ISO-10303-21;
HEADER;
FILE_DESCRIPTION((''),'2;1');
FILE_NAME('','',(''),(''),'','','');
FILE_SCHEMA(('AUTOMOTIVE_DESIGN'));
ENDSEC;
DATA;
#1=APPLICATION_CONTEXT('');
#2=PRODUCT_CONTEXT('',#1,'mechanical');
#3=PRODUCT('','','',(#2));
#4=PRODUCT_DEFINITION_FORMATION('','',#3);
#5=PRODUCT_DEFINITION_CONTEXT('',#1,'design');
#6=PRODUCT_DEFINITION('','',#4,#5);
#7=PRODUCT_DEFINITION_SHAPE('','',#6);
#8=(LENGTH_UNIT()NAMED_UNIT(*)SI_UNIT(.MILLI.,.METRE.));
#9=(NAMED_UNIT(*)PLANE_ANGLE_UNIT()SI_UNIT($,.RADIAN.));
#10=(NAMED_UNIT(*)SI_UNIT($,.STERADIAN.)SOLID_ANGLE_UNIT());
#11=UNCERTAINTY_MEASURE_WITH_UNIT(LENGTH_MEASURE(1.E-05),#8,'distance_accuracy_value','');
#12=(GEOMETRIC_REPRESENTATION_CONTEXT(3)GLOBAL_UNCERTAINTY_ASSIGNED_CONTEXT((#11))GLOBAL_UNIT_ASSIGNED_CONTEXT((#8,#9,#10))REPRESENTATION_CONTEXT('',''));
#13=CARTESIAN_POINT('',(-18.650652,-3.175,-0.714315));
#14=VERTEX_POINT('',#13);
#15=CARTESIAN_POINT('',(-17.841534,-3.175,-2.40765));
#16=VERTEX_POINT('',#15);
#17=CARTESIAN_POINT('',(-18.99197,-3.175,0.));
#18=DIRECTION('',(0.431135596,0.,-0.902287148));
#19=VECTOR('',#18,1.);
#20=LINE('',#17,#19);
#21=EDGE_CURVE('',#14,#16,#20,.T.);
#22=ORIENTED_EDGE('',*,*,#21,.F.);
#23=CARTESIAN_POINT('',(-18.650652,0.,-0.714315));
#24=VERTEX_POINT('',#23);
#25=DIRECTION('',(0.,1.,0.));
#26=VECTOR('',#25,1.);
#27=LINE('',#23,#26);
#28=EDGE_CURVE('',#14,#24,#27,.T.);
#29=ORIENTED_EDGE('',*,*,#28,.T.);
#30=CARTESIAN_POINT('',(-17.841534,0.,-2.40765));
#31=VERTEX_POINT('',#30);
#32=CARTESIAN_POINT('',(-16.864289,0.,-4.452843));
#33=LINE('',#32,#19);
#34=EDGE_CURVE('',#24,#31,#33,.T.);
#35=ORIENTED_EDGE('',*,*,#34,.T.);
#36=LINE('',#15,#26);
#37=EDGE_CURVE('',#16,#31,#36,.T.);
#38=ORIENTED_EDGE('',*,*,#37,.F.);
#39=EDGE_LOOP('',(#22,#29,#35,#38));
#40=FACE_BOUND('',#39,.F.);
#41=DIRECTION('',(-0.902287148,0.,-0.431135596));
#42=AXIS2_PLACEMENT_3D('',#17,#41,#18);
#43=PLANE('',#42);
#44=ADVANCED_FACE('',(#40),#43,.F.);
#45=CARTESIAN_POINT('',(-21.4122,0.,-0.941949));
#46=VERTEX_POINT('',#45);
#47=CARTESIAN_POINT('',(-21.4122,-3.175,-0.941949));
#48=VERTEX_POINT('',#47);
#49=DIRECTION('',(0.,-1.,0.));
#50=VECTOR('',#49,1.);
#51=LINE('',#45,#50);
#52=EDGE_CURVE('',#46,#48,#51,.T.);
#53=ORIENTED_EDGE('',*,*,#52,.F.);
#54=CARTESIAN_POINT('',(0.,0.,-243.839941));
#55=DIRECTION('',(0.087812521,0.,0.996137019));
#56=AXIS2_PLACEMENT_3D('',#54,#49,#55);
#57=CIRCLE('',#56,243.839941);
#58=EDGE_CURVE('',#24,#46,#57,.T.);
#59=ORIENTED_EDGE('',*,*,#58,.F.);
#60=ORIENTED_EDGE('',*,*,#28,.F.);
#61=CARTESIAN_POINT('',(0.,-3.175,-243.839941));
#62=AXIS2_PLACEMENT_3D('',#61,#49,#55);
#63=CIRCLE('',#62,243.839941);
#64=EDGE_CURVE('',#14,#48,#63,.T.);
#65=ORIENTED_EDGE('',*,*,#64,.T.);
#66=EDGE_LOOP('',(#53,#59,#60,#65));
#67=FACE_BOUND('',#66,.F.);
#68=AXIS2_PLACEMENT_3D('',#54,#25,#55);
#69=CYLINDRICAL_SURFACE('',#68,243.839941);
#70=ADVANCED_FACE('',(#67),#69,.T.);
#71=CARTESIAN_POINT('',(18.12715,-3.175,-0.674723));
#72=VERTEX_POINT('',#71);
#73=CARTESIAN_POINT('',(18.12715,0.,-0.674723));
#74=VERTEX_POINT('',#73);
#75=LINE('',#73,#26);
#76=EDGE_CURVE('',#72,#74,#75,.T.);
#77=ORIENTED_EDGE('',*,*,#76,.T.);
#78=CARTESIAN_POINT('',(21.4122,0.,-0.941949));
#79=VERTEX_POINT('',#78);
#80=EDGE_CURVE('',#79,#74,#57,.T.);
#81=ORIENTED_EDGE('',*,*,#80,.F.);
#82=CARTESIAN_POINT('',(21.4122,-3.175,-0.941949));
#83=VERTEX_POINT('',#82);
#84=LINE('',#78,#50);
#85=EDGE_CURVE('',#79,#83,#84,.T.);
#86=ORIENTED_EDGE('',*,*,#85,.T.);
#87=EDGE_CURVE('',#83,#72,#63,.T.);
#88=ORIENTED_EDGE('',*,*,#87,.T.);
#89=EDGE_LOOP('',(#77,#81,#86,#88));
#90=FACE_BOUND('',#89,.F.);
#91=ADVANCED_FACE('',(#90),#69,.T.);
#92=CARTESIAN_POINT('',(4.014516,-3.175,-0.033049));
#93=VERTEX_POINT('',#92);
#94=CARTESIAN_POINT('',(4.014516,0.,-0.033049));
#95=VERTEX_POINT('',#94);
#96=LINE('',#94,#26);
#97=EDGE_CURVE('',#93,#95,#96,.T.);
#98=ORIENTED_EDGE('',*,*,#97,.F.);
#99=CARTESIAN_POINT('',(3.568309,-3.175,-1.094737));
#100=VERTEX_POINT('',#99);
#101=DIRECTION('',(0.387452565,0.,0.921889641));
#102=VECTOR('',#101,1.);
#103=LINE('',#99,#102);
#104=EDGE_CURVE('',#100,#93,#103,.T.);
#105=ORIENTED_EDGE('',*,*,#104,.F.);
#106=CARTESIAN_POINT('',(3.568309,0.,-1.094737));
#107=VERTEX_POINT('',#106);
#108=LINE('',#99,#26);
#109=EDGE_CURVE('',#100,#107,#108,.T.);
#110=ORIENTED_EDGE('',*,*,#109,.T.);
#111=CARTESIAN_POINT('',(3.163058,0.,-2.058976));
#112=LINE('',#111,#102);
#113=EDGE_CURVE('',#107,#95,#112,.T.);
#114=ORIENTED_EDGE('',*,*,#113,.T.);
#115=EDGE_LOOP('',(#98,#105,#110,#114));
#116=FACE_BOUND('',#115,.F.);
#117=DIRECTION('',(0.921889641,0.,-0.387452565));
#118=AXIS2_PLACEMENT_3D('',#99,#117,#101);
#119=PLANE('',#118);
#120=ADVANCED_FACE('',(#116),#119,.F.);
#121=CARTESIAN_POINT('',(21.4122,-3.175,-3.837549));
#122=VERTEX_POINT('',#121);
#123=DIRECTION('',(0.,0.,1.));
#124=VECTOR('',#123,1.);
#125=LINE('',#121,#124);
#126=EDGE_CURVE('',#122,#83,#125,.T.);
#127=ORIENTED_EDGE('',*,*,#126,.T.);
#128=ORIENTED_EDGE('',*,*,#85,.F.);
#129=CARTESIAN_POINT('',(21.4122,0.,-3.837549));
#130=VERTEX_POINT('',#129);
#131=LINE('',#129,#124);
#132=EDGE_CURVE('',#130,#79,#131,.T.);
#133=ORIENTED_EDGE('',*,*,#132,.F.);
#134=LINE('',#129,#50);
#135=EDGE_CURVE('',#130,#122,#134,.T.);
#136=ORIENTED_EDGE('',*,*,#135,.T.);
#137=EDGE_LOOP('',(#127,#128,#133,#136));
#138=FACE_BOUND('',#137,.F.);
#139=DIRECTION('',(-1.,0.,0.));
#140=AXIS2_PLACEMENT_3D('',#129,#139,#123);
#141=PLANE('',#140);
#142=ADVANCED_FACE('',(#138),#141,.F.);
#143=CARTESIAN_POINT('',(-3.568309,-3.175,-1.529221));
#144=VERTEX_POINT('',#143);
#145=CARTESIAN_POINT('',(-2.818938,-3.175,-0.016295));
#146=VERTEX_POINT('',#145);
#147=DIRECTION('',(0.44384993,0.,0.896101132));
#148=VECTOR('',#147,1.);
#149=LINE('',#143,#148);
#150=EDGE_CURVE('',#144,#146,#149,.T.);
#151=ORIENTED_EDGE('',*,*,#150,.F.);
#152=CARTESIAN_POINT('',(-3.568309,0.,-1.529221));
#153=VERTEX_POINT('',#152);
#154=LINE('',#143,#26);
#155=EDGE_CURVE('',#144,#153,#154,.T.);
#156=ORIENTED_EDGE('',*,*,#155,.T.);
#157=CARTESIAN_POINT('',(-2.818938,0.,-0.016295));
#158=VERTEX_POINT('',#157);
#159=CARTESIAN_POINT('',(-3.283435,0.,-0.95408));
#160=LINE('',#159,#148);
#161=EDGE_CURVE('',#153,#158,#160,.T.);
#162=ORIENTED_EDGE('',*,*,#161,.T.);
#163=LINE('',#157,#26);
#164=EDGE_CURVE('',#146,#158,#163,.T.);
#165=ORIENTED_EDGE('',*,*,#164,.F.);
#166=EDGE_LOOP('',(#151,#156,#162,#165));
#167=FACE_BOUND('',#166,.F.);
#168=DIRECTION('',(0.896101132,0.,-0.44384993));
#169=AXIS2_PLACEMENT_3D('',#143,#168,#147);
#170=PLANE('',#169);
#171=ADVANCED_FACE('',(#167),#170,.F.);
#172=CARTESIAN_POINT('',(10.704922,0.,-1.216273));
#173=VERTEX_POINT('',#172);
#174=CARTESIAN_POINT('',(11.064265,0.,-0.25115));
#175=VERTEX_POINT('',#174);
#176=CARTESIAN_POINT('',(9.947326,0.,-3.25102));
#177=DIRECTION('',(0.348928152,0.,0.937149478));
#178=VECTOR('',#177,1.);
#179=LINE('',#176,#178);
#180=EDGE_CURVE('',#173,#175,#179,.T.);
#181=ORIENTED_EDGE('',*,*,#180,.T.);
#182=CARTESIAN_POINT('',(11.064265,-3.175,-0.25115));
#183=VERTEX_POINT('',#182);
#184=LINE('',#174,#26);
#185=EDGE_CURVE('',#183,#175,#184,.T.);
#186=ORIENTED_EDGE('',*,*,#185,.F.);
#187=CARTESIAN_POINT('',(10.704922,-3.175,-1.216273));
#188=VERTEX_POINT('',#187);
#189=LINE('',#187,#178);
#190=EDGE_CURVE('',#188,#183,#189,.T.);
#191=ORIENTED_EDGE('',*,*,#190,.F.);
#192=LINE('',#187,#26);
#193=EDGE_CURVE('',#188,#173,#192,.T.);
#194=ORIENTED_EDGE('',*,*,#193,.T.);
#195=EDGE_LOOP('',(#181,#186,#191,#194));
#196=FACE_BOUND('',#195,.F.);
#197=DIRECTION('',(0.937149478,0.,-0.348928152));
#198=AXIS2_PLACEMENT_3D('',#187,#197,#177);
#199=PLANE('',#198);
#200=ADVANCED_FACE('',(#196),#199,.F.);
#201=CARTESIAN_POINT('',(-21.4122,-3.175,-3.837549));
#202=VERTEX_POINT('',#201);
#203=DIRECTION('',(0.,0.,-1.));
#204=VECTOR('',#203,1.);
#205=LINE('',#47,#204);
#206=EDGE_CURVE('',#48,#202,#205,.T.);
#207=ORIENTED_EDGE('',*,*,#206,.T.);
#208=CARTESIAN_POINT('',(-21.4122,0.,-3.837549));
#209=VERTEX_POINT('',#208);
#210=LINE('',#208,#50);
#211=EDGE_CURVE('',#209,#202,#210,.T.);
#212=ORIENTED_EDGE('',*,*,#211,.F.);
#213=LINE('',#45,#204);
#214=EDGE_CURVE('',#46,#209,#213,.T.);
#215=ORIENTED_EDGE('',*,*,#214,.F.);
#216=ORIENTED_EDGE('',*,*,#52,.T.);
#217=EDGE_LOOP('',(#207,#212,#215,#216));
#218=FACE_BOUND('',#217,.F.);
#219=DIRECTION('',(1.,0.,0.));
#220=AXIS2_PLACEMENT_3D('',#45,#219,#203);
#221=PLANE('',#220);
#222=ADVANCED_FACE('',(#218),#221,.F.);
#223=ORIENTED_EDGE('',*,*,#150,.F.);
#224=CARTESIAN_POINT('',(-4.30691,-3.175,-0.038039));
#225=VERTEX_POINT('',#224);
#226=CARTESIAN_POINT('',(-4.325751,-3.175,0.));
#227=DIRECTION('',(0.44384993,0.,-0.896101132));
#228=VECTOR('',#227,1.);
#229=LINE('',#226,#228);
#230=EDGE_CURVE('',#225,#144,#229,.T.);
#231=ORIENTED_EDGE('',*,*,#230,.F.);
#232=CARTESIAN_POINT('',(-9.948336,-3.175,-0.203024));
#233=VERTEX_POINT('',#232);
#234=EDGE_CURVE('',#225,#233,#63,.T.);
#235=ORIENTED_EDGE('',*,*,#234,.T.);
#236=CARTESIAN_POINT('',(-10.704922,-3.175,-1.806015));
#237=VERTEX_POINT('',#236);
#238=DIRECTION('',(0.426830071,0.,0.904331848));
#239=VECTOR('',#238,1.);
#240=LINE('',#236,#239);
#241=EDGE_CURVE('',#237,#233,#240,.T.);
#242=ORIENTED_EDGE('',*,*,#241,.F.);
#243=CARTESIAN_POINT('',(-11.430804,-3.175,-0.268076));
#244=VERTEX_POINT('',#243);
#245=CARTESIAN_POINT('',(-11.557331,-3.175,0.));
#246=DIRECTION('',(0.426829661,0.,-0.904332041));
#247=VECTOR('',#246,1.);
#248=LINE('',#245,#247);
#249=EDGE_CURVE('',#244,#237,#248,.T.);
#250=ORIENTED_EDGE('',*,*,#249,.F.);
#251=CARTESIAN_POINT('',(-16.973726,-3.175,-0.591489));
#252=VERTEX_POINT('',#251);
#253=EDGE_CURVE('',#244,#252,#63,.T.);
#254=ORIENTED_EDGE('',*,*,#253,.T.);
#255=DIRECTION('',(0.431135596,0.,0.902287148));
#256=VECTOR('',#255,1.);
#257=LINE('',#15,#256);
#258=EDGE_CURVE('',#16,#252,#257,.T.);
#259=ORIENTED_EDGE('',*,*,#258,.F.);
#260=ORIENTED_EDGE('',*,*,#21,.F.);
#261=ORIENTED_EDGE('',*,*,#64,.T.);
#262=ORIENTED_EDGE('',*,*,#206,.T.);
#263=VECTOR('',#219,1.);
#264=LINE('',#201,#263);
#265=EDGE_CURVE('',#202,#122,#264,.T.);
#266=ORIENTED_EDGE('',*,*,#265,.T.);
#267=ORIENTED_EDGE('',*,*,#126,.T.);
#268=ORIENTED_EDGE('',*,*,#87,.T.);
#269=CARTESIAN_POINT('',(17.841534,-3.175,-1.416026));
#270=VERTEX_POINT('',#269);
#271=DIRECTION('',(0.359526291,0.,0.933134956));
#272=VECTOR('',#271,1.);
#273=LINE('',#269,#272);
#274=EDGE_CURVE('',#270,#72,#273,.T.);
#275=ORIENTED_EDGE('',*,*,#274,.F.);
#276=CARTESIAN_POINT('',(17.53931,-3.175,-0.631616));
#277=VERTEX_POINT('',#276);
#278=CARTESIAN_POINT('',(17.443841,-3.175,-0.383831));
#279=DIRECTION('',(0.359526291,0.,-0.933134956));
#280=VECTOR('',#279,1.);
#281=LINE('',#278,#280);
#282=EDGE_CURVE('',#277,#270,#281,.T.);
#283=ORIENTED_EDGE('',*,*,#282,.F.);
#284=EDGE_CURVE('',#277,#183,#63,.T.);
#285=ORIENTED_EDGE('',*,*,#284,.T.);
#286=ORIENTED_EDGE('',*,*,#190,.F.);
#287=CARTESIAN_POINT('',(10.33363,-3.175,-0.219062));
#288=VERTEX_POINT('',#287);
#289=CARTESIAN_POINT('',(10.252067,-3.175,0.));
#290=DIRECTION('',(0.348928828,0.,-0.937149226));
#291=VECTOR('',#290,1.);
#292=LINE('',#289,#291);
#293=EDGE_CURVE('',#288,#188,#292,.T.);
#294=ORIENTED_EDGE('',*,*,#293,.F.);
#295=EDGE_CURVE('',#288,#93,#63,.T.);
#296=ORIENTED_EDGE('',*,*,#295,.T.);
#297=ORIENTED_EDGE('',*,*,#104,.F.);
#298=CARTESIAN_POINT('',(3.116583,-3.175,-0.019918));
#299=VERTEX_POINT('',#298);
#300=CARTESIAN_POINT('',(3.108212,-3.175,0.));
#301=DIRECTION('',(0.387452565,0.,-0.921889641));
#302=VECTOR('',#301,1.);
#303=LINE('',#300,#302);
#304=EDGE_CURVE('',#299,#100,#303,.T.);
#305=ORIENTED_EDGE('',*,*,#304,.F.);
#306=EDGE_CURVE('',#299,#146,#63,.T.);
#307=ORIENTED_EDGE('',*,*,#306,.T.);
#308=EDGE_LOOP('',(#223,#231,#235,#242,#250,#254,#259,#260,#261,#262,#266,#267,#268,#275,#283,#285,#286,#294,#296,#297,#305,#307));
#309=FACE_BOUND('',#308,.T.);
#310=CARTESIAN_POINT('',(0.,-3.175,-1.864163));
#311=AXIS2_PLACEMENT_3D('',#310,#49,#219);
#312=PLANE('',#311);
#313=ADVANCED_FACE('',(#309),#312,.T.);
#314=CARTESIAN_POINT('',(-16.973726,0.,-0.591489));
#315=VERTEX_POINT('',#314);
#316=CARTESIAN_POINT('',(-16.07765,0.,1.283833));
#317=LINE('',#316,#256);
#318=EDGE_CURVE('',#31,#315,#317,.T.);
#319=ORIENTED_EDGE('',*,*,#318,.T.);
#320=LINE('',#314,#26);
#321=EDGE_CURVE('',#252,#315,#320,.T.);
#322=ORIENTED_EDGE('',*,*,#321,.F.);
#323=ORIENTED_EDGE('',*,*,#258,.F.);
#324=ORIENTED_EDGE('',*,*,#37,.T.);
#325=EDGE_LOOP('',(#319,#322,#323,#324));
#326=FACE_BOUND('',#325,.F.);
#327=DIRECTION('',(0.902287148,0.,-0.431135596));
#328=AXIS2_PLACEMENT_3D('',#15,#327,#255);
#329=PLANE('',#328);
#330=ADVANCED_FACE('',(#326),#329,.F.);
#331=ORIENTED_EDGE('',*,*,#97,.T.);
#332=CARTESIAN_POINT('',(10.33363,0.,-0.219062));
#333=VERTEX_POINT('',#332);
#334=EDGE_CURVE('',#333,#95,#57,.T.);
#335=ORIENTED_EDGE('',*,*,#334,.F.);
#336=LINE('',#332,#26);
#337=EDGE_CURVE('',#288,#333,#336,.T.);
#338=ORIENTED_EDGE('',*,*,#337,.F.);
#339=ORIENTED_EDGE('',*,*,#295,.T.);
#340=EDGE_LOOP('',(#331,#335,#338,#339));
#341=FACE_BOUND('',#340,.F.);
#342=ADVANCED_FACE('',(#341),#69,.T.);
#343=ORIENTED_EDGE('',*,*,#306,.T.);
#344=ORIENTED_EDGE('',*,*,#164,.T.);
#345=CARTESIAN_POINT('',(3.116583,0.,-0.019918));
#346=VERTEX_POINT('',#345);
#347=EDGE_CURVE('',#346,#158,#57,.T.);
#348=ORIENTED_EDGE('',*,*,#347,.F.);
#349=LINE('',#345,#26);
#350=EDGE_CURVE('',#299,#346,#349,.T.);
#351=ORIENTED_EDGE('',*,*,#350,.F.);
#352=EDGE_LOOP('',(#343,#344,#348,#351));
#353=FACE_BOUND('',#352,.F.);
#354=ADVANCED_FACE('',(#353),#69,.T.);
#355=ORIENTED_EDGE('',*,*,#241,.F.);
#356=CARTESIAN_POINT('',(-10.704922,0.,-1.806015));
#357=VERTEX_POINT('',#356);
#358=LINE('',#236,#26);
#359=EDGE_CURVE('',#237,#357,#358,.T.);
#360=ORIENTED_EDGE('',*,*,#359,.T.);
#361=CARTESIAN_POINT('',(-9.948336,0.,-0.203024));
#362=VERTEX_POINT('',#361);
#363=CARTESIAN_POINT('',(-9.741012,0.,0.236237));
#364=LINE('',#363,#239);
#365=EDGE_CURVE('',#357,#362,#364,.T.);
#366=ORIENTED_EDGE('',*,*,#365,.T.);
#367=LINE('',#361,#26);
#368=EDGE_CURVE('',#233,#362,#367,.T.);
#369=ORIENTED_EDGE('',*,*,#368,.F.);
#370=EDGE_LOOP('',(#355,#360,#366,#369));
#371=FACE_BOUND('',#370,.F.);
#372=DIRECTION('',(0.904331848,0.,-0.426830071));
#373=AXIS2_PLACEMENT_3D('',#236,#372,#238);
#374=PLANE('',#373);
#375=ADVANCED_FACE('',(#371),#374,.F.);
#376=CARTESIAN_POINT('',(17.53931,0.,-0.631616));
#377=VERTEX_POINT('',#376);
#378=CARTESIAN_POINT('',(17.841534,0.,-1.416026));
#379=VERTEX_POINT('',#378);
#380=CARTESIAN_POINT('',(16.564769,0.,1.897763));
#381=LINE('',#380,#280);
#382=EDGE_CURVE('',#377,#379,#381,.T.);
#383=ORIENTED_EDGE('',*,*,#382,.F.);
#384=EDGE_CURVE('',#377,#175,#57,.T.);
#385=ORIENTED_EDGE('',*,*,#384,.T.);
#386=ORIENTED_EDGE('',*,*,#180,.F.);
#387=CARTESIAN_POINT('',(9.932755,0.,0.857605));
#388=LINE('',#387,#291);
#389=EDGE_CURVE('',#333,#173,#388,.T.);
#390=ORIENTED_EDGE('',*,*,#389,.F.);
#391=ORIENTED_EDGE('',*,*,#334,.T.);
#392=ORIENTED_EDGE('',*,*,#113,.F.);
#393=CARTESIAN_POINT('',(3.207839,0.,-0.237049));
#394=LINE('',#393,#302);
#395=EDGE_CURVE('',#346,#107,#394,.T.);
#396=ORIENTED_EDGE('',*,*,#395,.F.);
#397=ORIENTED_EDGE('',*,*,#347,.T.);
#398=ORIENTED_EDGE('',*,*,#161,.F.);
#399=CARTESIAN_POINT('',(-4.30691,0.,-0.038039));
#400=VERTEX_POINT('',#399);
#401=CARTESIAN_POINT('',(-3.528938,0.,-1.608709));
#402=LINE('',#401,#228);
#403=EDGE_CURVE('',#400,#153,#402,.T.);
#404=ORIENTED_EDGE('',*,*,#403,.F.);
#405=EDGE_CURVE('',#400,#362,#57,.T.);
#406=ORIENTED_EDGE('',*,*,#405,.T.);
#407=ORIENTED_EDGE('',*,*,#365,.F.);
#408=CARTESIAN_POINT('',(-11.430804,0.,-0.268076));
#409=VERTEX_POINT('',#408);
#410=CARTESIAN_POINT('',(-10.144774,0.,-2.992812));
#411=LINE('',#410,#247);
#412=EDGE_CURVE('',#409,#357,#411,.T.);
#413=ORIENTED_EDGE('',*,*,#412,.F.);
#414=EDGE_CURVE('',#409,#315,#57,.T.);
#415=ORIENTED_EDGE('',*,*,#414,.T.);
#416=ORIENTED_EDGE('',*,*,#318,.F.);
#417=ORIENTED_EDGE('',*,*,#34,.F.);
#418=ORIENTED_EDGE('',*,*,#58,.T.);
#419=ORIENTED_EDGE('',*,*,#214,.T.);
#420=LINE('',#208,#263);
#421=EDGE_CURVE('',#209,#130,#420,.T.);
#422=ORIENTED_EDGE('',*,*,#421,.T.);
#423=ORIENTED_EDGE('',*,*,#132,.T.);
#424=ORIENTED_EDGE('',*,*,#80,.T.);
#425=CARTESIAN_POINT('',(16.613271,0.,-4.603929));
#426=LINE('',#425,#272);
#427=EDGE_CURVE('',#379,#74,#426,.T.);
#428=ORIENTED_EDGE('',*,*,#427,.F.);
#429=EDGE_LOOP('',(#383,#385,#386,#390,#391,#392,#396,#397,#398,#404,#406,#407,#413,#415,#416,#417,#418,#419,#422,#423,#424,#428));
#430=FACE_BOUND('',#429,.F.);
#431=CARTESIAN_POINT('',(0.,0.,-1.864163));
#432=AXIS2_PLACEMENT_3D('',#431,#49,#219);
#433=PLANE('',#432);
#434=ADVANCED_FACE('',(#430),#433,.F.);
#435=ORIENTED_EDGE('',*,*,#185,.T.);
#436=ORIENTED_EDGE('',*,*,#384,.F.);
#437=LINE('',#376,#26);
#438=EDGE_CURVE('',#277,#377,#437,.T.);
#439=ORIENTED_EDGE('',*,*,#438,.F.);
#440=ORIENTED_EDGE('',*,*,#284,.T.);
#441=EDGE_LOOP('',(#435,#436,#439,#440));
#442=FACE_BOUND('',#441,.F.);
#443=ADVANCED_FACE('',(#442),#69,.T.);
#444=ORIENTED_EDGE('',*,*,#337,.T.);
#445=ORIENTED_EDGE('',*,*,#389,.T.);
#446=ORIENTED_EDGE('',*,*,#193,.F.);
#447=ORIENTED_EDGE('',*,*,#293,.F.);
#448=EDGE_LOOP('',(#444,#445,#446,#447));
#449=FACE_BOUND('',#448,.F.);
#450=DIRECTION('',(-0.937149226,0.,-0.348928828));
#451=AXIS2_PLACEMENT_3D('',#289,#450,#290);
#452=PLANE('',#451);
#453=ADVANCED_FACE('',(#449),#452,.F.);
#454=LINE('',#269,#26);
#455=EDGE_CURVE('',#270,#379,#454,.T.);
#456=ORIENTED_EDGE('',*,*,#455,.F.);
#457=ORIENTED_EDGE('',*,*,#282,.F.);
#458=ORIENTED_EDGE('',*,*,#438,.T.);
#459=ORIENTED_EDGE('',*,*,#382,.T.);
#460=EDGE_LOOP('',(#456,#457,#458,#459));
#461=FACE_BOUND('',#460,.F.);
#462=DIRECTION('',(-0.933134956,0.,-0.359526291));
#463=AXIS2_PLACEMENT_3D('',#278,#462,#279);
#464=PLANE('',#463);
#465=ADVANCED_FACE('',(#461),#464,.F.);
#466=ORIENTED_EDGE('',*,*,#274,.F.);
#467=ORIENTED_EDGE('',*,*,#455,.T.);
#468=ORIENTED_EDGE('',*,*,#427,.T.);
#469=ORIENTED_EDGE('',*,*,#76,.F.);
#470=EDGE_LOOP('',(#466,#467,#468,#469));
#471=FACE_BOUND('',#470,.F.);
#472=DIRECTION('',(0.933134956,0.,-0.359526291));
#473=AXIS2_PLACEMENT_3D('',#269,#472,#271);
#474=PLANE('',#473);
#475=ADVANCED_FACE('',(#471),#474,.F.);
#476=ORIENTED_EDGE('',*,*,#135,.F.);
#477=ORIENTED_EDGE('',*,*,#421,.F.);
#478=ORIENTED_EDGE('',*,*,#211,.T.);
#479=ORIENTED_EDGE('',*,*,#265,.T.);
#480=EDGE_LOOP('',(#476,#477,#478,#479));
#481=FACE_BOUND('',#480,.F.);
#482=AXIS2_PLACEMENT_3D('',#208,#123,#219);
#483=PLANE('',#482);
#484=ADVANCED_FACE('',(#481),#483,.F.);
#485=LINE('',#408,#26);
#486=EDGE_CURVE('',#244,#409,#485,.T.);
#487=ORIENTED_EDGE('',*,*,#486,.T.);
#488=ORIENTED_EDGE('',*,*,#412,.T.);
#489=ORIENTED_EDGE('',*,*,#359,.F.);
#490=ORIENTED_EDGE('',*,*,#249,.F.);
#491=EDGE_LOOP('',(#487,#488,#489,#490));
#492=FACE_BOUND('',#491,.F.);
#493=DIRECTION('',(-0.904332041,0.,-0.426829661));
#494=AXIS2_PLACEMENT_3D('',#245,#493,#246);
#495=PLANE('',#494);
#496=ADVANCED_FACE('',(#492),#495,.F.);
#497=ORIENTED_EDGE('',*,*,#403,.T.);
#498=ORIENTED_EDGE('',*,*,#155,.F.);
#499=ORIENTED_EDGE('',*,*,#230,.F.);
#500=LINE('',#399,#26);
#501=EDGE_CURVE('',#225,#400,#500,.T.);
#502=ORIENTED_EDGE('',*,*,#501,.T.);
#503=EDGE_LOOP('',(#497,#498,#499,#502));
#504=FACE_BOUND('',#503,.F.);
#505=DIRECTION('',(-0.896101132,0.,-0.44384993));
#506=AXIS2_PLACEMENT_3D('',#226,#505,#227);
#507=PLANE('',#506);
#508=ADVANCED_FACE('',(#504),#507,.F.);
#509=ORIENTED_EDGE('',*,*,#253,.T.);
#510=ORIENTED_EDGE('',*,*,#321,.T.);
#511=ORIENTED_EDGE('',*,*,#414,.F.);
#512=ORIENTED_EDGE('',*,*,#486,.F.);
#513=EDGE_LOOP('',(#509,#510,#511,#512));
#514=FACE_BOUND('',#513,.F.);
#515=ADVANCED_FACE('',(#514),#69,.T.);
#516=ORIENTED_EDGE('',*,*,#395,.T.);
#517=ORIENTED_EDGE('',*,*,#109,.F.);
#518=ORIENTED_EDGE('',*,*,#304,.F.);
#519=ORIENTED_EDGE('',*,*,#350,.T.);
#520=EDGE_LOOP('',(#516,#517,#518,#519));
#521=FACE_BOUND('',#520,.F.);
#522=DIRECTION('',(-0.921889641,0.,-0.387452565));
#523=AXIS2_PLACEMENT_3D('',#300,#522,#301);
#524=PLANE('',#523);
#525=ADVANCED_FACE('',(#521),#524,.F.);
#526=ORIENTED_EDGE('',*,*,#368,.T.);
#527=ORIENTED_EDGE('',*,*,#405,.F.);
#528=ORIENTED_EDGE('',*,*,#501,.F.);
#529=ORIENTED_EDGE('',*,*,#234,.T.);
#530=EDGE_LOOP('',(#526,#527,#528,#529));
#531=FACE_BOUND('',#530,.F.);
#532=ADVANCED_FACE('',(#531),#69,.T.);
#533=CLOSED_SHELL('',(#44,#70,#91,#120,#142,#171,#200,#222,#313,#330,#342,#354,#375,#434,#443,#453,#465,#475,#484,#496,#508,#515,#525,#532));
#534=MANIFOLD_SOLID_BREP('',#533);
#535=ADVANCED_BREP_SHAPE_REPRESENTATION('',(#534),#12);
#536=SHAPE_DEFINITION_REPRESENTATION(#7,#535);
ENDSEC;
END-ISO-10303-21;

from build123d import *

# Parameters (mm, degrees)
F2_DEPTH = 3.175
F4_DEPTH = 3.176


with BuildPart() as f2:
    # F1 (on Front) → F2 (new body)
    with BuildSketch(Plane.XZ):
        with BuildLine():
            Line((21.4122, -3.837549), (21.4122, -0.941949))
            ThreePointArc((21.4122, -0.941949), (0, 0), (-21.4122, -0.941949))
            Line((-21.4122, -0.941949), (-21.4122, -3.837549))
            ThreePointArc((-21.4122, -3.837549), (0, -2.885646), (21.4122, -3.837549))
        make_face()
        with BuildLine():
            Line((-21.4122, -3.837549), (21.4122, -3.837549))
            ThreePointArc((21.4122, -3.837549), (0, -2.885646), (-21.4122, -3.837549))
        make_face()
    extrude(amount=F2_DEPTH)

    # F3 (on face) → F4 (cut, through all)
    with BuildSketch(Plane.XZ.offset(3.175)):
        Polygon((-16.691098, 0), (-18.99197, 0), (-17.841534, -2.40765), align=None)
        Polygon((-9.852512, 0), (-11.557331, 0), (-10.704922, -1.806015), align=None)
        Polygon((-2.810867, 0), (-4.325751, 0), (-3.568309, -1.529221), align=None)
        Polygon((4.028406, 0), (3.108212, 0), (3.568309, -1.094737), align=None)
        Polygon((11.157776, 0), (10.252067, 0), (10.704922, -1.216273), align=None)
        Polygon((18.239227, -0.383831), (17.443841, -0.383831), (17.841534, -1.416026), align=None)
    extrude(amount=-F4_DEPTH, mode=Mode.SUBTRACT)


solid = f2.part
